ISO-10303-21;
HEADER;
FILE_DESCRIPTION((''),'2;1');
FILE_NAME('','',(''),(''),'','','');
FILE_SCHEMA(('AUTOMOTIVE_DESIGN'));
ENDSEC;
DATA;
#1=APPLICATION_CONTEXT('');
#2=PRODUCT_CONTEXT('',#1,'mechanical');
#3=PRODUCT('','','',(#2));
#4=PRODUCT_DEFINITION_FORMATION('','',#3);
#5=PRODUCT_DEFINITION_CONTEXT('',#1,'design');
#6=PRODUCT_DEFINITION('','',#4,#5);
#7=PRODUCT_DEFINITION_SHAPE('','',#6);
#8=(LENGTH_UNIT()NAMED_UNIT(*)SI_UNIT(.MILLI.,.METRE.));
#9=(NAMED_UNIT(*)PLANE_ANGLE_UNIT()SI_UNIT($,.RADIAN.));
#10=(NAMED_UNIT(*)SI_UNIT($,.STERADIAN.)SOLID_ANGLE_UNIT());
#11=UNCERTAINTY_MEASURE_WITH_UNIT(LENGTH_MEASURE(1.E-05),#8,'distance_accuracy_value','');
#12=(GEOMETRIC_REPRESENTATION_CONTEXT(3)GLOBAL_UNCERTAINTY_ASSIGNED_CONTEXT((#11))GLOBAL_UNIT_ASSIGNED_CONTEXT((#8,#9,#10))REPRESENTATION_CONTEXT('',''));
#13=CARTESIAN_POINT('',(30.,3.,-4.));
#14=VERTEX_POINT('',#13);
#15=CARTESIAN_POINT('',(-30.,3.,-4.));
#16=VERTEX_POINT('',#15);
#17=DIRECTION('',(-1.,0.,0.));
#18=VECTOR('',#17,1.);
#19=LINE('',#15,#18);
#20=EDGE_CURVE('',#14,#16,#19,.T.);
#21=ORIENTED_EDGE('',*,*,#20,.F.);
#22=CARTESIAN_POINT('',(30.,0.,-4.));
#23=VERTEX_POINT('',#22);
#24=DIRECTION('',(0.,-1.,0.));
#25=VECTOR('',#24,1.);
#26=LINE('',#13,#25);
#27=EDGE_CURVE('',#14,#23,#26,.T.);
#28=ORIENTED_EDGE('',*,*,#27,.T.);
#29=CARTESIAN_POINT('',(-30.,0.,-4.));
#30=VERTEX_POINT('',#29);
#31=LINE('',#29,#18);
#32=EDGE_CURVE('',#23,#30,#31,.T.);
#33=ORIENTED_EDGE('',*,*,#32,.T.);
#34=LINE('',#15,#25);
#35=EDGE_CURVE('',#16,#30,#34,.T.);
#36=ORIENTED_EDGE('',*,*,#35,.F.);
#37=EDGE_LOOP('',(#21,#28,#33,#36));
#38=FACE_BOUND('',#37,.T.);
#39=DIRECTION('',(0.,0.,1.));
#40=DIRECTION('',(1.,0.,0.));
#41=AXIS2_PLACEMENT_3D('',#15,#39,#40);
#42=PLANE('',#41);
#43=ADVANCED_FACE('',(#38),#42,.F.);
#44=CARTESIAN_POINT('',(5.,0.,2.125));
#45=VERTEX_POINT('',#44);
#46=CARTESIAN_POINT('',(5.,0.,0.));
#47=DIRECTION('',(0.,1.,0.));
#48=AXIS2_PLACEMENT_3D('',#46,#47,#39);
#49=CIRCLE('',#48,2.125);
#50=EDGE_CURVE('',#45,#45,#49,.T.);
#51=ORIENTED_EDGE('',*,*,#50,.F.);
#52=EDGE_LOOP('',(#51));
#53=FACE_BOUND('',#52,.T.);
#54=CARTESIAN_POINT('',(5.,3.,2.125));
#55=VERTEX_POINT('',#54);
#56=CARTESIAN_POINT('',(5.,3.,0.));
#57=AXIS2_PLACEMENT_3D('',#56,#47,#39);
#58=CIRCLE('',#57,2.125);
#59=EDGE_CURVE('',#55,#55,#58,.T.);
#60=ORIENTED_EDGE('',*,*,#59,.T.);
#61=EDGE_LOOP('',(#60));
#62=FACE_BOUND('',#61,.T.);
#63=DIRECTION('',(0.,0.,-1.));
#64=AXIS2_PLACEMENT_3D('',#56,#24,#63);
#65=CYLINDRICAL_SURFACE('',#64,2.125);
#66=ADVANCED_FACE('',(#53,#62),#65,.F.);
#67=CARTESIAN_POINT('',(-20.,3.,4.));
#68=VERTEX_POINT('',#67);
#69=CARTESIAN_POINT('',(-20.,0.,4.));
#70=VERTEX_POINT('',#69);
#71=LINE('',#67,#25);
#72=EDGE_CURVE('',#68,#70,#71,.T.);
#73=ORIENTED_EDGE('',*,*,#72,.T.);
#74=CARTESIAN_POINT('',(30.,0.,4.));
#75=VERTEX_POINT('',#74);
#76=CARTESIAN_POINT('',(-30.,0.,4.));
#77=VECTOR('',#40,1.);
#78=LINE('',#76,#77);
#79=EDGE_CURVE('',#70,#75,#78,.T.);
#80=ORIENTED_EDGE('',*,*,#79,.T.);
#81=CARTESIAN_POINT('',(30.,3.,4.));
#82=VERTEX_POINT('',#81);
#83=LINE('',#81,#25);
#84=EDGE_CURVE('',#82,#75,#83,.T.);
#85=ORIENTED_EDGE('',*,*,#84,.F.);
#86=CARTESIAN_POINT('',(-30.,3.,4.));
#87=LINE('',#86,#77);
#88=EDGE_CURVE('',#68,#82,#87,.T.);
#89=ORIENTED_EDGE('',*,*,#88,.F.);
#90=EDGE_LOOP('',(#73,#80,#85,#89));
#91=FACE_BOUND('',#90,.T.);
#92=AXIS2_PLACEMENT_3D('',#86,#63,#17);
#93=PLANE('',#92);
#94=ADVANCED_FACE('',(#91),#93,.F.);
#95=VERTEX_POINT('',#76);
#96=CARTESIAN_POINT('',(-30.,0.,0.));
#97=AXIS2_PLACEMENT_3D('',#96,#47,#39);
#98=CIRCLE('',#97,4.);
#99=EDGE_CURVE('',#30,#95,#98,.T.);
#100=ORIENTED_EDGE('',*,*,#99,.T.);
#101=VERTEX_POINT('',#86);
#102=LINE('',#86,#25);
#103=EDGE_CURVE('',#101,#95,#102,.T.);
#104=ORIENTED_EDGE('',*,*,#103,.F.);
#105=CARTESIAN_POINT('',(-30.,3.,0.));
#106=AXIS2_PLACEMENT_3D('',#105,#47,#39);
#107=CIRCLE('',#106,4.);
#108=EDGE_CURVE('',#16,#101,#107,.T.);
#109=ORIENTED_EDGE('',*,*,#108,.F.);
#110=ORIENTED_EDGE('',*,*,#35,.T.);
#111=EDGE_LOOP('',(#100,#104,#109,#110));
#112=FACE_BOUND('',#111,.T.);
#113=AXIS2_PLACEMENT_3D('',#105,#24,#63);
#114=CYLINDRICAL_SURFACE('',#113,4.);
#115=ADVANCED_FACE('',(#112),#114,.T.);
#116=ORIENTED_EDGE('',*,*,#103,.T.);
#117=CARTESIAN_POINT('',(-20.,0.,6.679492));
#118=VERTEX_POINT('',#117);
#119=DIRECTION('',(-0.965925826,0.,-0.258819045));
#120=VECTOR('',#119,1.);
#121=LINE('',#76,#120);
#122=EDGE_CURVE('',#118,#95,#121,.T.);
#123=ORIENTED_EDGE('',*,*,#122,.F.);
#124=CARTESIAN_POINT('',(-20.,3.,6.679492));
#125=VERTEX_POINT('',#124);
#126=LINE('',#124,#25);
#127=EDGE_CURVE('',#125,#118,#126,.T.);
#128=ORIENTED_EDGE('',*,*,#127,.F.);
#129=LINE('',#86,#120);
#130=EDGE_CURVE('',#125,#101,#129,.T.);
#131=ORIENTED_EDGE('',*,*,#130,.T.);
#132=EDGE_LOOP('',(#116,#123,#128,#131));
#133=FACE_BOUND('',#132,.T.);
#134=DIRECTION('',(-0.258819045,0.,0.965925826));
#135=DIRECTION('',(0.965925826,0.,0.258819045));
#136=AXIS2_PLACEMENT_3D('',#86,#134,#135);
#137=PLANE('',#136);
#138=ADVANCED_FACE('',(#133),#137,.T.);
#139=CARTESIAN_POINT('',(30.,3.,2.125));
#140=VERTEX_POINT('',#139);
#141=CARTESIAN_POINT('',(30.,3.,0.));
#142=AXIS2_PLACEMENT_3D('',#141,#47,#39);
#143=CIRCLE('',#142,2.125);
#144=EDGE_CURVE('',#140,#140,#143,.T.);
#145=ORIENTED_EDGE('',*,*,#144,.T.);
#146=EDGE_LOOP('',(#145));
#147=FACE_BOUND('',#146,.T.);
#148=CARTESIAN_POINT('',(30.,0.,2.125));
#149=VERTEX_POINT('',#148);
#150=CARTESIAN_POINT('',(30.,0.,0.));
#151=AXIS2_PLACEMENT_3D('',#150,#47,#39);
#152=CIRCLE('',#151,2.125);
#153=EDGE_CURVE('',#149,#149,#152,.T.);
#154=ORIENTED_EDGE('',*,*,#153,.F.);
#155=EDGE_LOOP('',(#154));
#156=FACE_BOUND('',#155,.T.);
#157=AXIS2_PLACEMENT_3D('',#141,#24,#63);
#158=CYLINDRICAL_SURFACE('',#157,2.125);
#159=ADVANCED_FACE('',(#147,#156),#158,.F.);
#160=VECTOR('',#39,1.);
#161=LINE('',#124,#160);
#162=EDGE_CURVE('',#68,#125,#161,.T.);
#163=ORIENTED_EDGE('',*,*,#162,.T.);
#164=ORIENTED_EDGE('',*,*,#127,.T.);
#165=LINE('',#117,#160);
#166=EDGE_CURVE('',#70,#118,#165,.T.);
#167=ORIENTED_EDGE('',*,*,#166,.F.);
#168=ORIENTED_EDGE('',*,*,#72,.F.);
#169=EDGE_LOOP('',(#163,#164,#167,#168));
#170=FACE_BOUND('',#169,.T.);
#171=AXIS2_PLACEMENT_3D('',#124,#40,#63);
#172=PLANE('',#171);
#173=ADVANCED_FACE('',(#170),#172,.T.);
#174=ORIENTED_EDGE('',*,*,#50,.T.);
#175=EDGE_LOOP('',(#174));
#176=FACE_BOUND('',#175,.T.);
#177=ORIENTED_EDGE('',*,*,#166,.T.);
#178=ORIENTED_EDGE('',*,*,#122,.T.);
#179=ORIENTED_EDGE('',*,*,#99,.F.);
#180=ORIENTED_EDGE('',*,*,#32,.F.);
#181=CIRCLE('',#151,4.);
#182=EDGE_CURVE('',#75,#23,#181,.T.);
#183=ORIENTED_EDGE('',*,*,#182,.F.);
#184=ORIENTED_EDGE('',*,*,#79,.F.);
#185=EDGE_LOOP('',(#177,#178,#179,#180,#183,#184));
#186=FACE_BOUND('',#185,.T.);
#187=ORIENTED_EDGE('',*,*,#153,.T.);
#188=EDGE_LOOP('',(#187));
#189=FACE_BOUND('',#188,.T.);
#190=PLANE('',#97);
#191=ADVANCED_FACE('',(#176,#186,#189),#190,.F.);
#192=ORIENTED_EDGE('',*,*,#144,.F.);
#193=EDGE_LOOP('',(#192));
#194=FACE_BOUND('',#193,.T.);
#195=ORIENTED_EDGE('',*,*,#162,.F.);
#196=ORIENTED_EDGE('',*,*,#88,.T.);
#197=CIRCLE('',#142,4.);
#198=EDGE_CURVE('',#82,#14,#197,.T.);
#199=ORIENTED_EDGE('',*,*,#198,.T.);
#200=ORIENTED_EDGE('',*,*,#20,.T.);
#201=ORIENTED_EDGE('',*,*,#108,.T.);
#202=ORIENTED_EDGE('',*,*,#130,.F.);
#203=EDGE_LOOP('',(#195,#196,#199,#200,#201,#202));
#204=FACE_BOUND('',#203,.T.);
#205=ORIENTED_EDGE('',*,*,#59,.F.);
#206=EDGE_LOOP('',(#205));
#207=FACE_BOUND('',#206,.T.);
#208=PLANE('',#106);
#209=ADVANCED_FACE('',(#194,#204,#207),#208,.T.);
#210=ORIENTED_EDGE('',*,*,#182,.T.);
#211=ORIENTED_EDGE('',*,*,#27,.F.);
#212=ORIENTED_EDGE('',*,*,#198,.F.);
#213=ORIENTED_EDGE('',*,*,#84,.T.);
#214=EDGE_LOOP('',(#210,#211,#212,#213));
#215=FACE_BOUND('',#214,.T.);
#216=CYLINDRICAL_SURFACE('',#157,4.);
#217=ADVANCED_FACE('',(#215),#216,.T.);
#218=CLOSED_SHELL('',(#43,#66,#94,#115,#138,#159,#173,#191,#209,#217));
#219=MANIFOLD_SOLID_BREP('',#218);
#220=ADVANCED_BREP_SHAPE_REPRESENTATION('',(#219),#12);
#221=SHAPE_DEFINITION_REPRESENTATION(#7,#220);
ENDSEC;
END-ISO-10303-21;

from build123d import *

# Parameters (mm, degrees)
SKETCH1_R           = 2.125
BOSS_EXTRUDE1_DEPTH = 3
BOSS_EXTRUDE2_DEPTH = 3


with BuildPart() as part:
    # Sketch1 → Boss-Extrude1 (new body)
    with BuildSketch(Plane(origin=(0, 0, 0), x_dir=(1, 0, 0), z_dir=(0, 1, 0))):
        with BuildLine():
            Line((-30, 4), (30, 4))
            ThreePointArc((30, 4), (34, 0), (30, -4))
            Line((30, -4), (-30, -4))
            ThreePointArc((-30, -4), (-34, 0), (-30, 4))
        make_face()
        with Locations(Location((30, 0, 0), (0, 0, 270))):
            Circle(SKETCH1_R, mode=Mode.SUBTRACT)
        with Locations(Location((5, 0, 0), (0, 0, 270))):
            Circle(SKETCH1_R, mode=Mode.SUBTRACT)
    extrude(amount=BOSS_EXTRUDE1_DEPTH)

    # Sketch3 → Boss-Extrude2 (add)
    with BuildSketch(Plane.XZ):
        Polygon((-30, 4), (-20, 6.679491924), (-20, 4), align=None)
    extrude(amount=-BOSS_EXTRUDE2_DEPTH)


solid = part.part
